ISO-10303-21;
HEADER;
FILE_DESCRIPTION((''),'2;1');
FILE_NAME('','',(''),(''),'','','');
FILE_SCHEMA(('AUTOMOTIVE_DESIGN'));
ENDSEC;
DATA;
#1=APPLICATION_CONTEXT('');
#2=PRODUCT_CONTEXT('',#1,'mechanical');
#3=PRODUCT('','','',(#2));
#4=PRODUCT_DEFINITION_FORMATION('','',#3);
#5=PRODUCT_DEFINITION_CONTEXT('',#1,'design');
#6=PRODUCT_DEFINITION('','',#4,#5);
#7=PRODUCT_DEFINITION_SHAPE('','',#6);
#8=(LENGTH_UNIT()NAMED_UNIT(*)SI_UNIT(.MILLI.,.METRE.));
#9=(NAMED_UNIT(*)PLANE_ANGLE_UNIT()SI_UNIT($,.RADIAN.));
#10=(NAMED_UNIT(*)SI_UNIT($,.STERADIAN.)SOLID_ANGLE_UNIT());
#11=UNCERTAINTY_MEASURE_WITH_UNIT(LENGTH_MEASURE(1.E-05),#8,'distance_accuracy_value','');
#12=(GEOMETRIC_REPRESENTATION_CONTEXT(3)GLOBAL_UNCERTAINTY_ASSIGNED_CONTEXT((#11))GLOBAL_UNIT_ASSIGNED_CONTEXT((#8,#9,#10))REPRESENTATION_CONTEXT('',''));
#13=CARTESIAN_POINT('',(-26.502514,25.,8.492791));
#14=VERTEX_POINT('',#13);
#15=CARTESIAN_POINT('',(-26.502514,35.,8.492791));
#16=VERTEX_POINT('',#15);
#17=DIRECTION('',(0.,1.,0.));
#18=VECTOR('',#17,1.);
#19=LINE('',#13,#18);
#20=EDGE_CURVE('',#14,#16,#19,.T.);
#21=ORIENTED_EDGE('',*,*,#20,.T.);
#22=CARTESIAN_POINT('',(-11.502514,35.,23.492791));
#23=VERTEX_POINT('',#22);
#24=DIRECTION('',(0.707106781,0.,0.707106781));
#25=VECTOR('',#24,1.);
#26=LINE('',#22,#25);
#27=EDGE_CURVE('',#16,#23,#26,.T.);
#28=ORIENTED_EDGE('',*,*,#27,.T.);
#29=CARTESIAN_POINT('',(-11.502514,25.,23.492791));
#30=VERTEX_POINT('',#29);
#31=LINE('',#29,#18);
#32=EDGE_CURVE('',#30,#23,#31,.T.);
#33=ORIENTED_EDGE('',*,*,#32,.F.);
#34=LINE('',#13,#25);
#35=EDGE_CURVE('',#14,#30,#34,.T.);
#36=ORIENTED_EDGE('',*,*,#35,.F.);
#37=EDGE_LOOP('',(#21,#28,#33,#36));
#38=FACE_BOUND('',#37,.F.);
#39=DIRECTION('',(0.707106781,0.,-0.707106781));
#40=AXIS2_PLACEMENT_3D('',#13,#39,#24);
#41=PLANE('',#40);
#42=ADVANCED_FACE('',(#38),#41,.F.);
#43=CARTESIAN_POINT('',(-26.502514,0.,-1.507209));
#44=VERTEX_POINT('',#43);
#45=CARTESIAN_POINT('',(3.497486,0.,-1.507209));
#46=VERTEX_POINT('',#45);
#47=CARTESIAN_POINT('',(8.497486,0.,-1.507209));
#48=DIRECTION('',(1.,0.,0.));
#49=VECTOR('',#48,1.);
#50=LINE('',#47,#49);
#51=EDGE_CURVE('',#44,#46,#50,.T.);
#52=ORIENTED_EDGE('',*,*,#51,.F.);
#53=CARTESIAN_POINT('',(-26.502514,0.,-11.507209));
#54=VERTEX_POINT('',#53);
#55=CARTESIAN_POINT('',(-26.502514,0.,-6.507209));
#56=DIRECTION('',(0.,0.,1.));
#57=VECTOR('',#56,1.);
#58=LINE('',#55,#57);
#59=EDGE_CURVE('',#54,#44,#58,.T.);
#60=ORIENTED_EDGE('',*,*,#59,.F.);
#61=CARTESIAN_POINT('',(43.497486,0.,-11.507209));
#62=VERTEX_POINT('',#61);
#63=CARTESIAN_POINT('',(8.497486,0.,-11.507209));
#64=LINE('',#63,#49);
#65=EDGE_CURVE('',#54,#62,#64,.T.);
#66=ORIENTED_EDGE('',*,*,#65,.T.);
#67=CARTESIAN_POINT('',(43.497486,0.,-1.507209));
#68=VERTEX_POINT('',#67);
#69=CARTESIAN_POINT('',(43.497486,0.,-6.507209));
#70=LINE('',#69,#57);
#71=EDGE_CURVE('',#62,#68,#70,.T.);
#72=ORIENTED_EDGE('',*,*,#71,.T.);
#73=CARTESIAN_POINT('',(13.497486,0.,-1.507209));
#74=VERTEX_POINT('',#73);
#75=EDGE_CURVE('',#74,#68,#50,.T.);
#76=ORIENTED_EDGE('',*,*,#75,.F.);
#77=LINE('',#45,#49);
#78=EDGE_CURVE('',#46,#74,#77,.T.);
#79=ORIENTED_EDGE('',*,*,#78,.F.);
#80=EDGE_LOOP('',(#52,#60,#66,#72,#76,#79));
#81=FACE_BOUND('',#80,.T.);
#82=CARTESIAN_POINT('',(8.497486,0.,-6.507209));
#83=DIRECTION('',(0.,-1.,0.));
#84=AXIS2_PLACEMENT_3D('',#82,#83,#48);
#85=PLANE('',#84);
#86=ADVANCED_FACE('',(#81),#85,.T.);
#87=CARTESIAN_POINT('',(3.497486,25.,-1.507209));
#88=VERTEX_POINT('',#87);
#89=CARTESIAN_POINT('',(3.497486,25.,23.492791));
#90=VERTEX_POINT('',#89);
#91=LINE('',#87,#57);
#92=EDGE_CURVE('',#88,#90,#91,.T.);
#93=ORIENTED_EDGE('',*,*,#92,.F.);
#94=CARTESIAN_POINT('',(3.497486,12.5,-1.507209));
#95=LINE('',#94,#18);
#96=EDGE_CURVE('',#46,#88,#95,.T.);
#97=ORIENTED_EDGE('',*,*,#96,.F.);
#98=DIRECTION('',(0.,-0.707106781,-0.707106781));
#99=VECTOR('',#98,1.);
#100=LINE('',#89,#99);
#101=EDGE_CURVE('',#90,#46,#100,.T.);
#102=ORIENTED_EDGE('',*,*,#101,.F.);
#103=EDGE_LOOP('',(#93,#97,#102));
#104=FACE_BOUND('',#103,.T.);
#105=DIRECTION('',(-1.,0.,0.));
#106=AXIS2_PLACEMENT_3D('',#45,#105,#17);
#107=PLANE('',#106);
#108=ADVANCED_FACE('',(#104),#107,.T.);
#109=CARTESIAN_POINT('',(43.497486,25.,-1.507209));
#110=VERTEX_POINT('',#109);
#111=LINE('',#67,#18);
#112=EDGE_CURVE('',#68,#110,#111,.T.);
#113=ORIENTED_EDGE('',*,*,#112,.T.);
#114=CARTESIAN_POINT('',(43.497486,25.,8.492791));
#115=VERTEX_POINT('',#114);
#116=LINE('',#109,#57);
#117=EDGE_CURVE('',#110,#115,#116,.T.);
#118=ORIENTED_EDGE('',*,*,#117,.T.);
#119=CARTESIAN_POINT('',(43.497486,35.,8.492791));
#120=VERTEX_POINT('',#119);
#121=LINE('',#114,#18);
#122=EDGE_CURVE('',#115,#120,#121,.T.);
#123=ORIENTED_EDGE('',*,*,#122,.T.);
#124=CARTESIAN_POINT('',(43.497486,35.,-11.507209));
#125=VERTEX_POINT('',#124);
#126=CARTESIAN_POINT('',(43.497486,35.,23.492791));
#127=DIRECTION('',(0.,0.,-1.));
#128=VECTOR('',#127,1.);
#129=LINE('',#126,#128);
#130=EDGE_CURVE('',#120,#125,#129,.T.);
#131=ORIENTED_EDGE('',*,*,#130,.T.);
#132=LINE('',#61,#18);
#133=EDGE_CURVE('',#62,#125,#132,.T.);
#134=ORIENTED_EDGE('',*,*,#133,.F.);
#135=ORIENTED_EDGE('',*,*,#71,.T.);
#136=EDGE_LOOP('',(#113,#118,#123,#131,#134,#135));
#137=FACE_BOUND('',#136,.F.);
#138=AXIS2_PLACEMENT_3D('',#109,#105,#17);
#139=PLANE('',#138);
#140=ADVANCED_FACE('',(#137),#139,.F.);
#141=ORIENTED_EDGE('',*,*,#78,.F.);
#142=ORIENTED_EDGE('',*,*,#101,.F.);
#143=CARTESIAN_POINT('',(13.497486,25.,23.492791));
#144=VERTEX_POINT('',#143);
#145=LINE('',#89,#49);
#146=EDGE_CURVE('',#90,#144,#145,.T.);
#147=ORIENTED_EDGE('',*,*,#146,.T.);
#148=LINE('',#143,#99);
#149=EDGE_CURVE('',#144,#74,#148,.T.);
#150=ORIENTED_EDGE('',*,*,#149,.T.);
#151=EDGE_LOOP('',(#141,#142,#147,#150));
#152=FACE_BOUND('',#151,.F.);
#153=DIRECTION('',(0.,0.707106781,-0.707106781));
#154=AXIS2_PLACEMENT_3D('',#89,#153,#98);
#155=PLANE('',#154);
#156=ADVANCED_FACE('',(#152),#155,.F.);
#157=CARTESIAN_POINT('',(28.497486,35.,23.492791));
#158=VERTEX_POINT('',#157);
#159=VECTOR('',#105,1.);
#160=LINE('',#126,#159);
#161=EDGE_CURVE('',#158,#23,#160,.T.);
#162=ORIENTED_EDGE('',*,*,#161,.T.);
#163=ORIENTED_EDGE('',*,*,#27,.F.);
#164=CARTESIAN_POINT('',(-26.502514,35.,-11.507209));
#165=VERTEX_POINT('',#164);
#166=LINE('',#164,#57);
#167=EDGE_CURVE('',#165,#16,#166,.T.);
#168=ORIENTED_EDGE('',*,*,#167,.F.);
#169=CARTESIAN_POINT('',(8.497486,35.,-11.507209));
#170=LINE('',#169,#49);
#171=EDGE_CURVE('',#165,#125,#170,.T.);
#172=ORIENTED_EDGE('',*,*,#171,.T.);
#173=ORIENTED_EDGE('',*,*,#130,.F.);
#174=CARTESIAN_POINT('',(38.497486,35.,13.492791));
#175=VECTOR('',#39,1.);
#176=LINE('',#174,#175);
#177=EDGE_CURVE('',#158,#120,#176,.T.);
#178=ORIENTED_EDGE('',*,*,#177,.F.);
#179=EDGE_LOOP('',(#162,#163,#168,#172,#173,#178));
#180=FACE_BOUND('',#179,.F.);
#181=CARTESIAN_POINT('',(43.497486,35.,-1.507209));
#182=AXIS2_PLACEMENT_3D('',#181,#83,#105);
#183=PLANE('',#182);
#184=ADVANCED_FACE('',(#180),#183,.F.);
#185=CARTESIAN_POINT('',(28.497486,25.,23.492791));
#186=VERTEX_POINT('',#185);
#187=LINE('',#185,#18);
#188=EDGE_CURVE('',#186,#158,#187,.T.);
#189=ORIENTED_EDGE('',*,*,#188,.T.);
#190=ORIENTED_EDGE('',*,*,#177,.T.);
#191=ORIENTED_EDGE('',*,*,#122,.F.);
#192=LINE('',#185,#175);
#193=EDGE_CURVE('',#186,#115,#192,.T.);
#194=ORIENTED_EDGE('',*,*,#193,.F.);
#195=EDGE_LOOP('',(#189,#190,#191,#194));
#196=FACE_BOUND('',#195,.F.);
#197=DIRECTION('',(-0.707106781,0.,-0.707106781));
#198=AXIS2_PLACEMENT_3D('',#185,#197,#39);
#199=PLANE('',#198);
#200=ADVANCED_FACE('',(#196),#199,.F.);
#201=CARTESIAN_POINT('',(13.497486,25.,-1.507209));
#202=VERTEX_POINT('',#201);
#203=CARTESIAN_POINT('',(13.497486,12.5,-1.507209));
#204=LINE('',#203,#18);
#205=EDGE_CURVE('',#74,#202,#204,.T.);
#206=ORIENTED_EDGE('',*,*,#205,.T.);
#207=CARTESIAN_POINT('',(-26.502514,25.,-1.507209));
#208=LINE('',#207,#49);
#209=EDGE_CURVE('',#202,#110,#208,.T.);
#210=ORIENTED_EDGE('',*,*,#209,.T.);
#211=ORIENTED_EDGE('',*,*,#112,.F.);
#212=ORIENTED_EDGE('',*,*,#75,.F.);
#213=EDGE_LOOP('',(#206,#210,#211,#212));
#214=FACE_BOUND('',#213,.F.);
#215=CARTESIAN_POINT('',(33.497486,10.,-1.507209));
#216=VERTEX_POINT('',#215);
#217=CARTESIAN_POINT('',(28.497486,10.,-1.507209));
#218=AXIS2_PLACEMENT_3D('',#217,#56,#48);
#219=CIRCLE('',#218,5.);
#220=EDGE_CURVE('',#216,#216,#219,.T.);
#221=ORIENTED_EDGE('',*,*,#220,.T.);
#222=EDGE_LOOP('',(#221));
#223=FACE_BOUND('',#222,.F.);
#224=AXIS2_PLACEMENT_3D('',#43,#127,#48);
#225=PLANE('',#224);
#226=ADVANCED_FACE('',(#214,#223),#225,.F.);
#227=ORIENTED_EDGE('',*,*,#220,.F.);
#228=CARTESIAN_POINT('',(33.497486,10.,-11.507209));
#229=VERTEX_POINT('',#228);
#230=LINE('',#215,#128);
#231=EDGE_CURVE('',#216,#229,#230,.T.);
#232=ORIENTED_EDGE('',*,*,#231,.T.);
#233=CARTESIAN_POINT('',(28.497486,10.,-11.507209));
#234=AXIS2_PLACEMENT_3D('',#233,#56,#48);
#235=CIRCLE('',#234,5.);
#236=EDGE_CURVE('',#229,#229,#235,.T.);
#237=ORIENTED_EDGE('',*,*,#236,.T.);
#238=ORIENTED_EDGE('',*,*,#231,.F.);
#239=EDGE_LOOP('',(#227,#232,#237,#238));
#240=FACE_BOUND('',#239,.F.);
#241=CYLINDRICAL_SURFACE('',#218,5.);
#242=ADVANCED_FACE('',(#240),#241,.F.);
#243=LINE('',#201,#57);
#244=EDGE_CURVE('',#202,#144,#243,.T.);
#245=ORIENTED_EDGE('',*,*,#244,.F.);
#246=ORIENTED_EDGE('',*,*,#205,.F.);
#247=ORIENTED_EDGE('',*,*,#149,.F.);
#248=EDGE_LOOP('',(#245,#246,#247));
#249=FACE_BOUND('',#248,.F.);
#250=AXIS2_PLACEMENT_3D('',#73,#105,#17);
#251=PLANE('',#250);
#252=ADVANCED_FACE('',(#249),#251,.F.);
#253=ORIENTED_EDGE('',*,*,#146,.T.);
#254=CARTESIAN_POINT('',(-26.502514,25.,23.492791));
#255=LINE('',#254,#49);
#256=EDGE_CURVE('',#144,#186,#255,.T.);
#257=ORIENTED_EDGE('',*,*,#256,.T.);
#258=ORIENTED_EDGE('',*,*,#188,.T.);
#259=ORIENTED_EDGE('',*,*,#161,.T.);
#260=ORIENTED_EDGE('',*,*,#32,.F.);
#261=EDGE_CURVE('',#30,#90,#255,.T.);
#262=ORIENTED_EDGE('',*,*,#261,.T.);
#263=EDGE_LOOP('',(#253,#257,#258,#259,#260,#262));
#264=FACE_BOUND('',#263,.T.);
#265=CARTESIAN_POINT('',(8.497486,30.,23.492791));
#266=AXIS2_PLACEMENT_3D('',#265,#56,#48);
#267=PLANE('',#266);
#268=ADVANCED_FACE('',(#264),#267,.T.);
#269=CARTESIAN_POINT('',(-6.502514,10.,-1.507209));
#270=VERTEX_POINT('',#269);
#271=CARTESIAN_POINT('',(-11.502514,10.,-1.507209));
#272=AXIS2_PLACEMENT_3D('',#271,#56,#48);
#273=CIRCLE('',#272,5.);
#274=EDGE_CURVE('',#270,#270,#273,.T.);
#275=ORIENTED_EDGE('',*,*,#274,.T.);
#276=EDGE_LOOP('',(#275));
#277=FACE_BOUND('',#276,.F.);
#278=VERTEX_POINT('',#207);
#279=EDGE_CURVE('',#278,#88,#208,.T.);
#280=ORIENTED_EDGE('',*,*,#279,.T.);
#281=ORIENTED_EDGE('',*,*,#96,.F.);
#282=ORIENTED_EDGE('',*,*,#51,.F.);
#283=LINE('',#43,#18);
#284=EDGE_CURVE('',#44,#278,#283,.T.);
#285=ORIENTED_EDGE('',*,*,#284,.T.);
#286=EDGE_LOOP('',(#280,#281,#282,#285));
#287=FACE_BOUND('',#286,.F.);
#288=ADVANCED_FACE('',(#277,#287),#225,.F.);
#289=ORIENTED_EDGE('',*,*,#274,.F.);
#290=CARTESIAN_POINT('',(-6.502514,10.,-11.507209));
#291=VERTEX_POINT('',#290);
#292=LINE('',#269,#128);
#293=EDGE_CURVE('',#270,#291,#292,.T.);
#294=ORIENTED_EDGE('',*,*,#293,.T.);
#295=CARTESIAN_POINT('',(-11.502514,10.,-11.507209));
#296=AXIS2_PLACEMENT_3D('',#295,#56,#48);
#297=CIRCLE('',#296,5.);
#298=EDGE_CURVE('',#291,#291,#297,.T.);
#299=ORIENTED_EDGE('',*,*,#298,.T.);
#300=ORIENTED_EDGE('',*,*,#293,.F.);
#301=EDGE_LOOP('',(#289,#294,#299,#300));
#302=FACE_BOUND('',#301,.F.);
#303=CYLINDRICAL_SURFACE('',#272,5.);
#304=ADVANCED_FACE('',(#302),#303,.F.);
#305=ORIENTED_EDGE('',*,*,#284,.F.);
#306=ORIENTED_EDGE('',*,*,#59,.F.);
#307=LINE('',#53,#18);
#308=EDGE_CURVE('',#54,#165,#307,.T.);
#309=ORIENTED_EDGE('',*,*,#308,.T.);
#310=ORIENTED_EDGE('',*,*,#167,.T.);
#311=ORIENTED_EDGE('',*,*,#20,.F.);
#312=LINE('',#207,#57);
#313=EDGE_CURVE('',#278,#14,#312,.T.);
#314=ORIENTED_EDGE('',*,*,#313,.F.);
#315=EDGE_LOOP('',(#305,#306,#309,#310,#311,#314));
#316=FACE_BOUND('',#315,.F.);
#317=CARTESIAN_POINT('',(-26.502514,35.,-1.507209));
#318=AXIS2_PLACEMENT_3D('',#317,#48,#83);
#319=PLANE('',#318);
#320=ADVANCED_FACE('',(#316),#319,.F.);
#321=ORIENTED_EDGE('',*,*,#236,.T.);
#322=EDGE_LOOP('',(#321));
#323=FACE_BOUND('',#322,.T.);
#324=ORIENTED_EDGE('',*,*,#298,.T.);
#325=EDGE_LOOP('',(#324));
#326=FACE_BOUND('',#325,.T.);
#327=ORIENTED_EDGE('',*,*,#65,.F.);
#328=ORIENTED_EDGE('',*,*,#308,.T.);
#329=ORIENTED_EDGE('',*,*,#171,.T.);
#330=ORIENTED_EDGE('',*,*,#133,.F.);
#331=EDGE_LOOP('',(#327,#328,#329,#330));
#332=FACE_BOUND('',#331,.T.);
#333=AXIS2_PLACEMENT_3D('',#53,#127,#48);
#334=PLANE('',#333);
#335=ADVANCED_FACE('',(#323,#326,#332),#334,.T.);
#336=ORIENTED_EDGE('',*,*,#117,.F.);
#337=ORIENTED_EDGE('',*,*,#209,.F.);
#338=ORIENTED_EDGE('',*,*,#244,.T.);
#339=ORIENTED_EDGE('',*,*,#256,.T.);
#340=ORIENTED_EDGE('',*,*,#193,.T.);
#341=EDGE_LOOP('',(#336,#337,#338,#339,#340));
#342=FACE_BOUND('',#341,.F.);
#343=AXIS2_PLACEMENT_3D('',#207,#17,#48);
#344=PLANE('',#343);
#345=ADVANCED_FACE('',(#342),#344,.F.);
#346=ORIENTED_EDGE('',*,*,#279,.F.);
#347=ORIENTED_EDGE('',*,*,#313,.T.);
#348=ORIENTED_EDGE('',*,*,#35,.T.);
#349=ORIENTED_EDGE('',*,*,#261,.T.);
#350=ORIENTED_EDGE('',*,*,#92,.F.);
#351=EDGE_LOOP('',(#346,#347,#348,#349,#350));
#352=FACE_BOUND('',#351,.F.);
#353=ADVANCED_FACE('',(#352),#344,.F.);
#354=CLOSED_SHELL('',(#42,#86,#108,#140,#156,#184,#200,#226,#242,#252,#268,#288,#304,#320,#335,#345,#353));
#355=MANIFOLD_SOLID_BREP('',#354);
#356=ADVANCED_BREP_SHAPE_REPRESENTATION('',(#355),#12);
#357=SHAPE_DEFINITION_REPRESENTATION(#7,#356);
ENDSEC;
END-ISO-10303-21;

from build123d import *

# Parameters (mm, degrees)
F0_W     = 70
F0_H     = 10
F1_DEPTH = 35
F3_DEPTH = 25
F2_W     = 10
F2_H     = 25
F4_DEPTH = 25
F6_DEPTH = 10
F2_R     = 5
F7_DEPTH = 25
F9_DEPTH = 25


with BuildPart() as f1:
    # F0 (on Front) → F1 (new body)
    with BuildSketch(Plane.XZ):
        with Locations((8.497486, -6.507209)):
            Rectangle(F0_W, F0_H)
    extrude(amount=-F1_DEPTH)

    # F2 (on face) → F3 (join)
    with BuildSketch(Plane.XY.offset(-1.507209)):
        Polygon((43.497486, 35), (-26.502514, 35), (-26.502514, 25), (3.497486, 25), (13.497486, 25), (43.497486, 25), align=None)
    extrude(amount=F3_DEPTH)

    # F2 (on face) → F4 (join)
    with BuildSketch(Plane.XY.offset(-1.507209)):
        with Locations((8.497486, 12.5)):
            Rectangle(F2_W, F2_H)
    extrude(amount=F4_DEPTH)

    # F5 (on face) → F6 (cut, through all)
    with BuildSketch(Plane(origin=(3.497486, 0, 0), x_dir=(0, -1, 0), z_dir=(-1, 0, 0))):
        Polygon((0, 23.492791), (-25, 23.492791), (0, -1.507209), align=None)
    extrude(amount=-F6_DEPTH, mode=Mode.SUBTRACT)

    # F2 (on face) → F7 (cut)
    with BuildSketch(Plane.XY.offset(-1.507209)):
        with Locations((28.497486, 10)):
            Circle(F2_R)
        with Locations((-11.502514, 10)):
            Circle(F2_R)
    extrude(amount=-F7_DEPTH, mode=Mode.SUBTRACT)

    # F8 (on face) → F9 (cut)
    with BuildSketch(Plane.XZ.offset(-25)):
        Polygon((43.497486, 8.492791), (43.497486, 23.492791), (28.497486, 23.492791), align=None)
        Polygon((-11.502514, 23.492791), (-26.502514, 23.492791), (-26.502514, 8.492791), align=None)
    extrude(amount=-F9_DEPTH, mode=Mode.SUBTRACT)


solid = f1.part
